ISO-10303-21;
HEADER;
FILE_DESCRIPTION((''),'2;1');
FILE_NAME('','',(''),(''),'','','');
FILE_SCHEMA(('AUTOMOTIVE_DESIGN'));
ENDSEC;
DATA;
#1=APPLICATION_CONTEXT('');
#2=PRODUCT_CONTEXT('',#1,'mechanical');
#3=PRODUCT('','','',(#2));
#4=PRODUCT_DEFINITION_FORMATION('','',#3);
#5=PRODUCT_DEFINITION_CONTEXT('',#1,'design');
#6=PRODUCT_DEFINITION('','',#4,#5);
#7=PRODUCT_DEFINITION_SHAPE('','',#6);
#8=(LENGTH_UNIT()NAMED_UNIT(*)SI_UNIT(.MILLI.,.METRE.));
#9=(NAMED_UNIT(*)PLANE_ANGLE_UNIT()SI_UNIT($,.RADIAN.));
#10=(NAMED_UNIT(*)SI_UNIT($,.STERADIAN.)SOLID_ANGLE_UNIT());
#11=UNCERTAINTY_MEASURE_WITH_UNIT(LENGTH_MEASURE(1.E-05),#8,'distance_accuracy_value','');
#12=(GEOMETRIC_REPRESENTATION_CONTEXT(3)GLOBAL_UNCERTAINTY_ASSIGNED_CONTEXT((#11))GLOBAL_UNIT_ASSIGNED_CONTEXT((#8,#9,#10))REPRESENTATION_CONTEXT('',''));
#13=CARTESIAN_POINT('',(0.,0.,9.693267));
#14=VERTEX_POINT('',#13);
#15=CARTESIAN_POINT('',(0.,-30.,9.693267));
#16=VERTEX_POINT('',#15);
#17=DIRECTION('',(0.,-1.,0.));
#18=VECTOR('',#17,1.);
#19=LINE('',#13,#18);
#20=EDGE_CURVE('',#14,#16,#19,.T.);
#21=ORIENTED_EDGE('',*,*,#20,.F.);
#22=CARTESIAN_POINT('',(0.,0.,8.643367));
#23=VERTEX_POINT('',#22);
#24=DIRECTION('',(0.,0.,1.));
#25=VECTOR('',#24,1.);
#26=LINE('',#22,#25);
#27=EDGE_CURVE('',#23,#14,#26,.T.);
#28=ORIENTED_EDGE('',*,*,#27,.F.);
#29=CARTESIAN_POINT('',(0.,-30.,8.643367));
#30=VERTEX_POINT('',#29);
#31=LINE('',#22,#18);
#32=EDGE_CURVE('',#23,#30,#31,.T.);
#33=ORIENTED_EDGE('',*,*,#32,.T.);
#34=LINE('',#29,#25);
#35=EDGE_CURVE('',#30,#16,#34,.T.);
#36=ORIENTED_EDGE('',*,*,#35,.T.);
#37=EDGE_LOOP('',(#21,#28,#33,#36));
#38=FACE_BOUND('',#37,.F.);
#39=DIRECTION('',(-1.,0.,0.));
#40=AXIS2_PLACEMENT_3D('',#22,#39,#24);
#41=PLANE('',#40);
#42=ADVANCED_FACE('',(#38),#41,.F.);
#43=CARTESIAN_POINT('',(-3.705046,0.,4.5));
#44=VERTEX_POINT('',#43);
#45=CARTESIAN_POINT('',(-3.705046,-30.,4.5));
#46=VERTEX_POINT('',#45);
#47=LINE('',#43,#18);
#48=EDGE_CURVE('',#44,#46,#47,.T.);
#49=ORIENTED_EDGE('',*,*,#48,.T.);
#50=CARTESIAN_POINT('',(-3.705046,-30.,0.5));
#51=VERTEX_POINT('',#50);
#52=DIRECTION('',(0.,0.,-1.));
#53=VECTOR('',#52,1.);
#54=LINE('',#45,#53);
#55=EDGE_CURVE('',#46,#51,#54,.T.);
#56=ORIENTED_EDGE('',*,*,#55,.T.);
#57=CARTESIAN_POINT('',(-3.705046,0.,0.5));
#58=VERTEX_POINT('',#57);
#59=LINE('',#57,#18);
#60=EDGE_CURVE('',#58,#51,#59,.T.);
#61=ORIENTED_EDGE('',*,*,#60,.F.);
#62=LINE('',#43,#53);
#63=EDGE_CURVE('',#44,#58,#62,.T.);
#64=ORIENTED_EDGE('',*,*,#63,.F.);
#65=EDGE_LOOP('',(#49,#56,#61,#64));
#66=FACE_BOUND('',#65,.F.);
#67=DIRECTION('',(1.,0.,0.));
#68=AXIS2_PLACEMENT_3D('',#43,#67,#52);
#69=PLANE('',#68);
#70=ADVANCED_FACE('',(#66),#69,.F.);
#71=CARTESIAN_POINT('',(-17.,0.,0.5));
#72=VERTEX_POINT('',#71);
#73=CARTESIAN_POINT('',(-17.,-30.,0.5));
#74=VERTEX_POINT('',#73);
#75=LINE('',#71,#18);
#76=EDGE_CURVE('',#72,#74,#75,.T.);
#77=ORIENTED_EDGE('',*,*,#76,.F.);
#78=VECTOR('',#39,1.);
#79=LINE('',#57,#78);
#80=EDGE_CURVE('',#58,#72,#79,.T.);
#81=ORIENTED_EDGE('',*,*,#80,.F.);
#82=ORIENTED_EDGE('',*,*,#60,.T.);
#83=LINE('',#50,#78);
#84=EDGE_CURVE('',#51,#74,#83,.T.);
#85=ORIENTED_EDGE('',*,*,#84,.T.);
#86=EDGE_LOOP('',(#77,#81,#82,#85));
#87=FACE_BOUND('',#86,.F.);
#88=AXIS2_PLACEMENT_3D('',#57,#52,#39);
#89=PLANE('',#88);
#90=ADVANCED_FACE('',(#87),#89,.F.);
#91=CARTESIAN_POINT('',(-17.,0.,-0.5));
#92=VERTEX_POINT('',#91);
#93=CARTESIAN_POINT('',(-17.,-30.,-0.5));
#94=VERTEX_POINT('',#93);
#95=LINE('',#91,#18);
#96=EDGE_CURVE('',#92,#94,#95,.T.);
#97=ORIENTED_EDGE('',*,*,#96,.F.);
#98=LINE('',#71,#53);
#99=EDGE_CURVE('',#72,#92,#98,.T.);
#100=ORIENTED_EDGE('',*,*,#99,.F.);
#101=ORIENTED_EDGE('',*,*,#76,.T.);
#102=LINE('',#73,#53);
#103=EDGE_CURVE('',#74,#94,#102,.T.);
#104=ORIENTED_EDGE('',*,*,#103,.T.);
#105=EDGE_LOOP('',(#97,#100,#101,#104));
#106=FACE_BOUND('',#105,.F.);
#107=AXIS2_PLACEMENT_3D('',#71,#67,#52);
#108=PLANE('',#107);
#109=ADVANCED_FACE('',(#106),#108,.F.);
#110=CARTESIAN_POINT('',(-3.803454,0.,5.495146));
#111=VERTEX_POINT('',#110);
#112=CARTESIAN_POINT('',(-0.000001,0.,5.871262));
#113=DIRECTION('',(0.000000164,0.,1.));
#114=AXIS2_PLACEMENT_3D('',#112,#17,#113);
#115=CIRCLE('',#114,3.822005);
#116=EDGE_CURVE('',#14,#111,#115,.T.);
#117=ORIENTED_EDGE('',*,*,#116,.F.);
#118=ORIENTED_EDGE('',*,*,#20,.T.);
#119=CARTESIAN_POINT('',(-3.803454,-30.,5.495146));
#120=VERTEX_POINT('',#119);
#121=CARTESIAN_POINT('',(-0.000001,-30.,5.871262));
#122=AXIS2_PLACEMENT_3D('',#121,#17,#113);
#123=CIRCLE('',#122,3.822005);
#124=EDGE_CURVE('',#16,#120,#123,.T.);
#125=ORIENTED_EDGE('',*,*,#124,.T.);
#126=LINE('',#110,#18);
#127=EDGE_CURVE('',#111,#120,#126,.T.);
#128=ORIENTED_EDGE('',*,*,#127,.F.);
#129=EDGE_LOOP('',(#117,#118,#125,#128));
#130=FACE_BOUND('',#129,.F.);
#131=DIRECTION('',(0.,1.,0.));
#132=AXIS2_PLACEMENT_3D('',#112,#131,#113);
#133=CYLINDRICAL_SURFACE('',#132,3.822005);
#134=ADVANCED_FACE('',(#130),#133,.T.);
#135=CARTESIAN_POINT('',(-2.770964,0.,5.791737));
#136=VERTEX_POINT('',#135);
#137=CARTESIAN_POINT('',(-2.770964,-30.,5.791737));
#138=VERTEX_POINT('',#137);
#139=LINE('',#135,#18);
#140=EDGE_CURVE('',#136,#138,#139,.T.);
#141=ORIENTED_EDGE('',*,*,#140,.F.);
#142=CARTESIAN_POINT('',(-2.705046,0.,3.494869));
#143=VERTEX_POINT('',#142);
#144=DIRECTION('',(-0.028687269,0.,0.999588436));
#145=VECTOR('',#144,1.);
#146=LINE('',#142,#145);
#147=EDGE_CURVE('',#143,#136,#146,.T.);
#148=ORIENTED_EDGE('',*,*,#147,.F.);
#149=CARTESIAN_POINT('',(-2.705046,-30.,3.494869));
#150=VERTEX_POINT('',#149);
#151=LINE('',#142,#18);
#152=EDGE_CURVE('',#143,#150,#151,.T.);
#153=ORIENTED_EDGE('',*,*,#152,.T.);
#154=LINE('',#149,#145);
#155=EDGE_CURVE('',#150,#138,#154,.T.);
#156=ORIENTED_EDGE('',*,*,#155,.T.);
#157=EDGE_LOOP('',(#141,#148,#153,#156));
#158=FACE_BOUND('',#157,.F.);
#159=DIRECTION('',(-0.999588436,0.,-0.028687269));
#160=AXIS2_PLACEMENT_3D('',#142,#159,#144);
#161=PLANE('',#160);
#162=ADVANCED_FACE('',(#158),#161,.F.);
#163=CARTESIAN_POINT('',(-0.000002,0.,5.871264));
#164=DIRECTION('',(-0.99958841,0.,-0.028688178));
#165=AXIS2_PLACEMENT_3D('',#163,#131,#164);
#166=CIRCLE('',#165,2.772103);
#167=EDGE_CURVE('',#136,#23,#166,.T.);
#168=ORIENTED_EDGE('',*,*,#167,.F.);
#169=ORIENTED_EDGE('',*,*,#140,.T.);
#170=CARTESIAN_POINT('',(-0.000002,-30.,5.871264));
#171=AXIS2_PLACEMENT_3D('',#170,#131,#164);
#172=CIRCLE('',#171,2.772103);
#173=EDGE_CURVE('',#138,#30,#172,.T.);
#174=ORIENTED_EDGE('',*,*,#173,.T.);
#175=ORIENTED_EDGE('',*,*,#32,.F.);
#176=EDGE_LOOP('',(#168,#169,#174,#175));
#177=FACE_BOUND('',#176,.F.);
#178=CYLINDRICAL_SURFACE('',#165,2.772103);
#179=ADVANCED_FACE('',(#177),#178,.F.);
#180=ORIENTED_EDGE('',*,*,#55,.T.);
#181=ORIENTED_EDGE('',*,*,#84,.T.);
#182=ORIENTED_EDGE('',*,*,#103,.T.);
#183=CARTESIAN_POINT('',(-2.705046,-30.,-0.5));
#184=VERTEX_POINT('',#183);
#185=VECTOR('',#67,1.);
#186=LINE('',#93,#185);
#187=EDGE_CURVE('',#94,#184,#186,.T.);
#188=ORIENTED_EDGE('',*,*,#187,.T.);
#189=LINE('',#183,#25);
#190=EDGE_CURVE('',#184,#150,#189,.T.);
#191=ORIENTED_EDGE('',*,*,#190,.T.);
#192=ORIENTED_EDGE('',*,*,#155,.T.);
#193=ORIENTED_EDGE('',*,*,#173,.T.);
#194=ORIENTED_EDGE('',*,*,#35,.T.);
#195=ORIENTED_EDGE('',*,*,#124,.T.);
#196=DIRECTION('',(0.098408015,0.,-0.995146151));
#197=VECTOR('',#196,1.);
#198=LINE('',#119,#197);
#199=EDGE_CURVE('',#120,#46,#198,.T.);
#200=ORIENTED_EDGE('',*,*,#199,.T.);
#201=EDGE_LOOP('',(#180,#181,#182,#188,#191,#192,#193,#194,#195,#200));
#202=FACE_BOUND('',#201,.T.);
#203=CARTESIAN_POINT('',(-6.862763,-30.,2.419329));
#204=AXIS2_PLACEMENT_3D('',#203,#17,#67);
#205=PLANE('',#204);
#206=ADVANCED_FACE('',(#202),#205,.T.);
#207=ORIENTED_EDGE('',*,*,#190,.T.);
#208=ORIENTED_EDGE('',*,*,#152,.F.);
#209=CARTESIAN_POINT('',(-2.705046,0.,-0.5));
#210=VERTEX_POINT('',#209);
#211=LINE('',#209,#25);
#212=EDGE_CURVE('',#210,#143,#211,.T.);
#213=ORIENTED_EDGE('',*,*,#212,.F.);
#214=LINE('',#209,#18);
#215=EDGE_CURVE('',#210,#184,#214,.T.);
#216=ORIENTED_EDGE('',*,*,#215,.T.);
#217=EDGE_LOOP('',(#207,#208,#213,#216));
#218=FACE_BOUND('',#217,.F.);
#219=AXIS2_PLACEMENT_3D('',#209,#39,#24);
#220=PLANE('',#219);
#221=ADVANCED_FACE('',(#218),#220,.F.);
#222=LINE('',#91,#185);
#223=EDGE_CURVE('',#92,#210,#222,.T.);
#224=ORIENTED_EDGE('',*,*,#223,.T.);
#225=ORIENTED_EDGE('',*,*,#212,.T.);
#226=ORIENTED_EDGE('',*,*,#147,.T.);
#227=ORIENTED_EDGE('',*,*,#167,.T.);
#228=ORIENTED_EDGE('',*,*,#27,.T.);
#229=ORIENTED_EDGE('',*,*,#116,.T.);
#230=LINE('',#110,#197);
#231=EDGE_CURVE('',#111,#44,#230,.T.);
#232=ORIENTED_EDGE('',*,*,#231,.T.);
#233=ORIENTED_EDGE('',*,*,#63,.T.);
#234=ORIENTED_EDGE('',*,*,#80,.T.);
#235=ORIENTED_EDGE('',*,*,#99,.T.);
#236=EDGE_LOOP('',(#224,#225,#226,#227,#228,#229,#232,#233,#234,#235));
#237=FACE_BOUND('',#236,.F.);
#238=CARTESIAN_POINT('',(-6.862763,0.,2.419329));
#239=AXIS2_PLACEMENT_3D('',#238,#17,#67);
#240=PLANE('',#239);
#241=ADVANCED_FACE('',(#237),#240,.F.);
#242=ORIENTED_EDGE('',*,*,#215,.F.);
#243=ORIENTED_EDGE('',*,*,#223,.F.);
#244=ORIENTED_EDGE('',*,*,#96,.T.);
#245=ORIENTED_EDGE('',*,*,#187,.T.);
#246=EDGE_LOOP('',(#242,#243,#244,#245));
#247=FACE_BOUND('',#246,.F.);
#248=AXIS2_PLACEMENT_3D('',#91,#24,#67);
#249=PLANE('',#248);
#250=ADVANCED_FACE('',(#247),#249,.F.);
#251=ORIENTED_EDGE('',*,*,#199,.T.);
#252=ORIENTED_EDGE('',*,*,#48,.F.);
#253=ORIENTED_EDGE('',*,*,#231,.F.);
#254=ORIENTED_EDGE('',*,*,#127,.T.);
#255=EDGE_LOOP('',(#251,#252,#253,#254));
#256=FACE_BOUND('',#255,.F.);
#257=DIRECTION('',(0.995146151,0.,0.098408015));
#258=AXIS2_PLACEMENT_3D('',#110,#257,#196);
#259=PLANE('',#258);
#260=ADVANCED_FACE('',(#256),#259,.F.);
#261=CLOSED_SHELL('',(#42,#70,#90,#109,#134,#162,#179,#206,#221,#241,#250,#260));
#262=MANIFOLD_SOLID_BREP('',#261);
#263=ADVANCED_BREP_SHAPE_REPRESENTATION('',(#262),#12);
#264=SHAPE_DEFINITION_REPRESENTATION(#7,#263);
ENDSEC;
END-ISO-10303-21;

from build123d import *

# Parameters (mm, degrees)
F1_DEPTH = 30


with BuildPart() as f1:
    # F0 (on Front) → F1 (new body)
    with BuildSketch(Plane.XZ):
        with BuildLine():
            Line((-17, 0.5), (-17, -0.5))
            Line((-17, -0.5), (-3.705046, -0.5))
            Line((-3.705046, -0.5), (-2.705046, -0.5))
            Line((-2.705046, -0.5), (-2.705046, 3.494869))
            Line((-2.705046, 3.494869), (-2.770964, 5.791737))
            ThreePointArc((-2.770964, 5.791737), (-1.988092, 7.803116), (0, 8.643367))
            Line((0, 8.643367), (0, 9.693267))
            ThreePointArc((0, 9.693267), (-2.832423, 8.437408), (-3.803454, 5.495146))
            Line((-3.803454, 5.495146), (-3.705046, 4.5))
            Line((-3.705046, 4.5), (-3.705046, 0.5))
            Line((-3.705046, 0.5), (-17, 0.5))
        make_face()
    extrude(amount=F1_DEPTH)


solid = f1.part
